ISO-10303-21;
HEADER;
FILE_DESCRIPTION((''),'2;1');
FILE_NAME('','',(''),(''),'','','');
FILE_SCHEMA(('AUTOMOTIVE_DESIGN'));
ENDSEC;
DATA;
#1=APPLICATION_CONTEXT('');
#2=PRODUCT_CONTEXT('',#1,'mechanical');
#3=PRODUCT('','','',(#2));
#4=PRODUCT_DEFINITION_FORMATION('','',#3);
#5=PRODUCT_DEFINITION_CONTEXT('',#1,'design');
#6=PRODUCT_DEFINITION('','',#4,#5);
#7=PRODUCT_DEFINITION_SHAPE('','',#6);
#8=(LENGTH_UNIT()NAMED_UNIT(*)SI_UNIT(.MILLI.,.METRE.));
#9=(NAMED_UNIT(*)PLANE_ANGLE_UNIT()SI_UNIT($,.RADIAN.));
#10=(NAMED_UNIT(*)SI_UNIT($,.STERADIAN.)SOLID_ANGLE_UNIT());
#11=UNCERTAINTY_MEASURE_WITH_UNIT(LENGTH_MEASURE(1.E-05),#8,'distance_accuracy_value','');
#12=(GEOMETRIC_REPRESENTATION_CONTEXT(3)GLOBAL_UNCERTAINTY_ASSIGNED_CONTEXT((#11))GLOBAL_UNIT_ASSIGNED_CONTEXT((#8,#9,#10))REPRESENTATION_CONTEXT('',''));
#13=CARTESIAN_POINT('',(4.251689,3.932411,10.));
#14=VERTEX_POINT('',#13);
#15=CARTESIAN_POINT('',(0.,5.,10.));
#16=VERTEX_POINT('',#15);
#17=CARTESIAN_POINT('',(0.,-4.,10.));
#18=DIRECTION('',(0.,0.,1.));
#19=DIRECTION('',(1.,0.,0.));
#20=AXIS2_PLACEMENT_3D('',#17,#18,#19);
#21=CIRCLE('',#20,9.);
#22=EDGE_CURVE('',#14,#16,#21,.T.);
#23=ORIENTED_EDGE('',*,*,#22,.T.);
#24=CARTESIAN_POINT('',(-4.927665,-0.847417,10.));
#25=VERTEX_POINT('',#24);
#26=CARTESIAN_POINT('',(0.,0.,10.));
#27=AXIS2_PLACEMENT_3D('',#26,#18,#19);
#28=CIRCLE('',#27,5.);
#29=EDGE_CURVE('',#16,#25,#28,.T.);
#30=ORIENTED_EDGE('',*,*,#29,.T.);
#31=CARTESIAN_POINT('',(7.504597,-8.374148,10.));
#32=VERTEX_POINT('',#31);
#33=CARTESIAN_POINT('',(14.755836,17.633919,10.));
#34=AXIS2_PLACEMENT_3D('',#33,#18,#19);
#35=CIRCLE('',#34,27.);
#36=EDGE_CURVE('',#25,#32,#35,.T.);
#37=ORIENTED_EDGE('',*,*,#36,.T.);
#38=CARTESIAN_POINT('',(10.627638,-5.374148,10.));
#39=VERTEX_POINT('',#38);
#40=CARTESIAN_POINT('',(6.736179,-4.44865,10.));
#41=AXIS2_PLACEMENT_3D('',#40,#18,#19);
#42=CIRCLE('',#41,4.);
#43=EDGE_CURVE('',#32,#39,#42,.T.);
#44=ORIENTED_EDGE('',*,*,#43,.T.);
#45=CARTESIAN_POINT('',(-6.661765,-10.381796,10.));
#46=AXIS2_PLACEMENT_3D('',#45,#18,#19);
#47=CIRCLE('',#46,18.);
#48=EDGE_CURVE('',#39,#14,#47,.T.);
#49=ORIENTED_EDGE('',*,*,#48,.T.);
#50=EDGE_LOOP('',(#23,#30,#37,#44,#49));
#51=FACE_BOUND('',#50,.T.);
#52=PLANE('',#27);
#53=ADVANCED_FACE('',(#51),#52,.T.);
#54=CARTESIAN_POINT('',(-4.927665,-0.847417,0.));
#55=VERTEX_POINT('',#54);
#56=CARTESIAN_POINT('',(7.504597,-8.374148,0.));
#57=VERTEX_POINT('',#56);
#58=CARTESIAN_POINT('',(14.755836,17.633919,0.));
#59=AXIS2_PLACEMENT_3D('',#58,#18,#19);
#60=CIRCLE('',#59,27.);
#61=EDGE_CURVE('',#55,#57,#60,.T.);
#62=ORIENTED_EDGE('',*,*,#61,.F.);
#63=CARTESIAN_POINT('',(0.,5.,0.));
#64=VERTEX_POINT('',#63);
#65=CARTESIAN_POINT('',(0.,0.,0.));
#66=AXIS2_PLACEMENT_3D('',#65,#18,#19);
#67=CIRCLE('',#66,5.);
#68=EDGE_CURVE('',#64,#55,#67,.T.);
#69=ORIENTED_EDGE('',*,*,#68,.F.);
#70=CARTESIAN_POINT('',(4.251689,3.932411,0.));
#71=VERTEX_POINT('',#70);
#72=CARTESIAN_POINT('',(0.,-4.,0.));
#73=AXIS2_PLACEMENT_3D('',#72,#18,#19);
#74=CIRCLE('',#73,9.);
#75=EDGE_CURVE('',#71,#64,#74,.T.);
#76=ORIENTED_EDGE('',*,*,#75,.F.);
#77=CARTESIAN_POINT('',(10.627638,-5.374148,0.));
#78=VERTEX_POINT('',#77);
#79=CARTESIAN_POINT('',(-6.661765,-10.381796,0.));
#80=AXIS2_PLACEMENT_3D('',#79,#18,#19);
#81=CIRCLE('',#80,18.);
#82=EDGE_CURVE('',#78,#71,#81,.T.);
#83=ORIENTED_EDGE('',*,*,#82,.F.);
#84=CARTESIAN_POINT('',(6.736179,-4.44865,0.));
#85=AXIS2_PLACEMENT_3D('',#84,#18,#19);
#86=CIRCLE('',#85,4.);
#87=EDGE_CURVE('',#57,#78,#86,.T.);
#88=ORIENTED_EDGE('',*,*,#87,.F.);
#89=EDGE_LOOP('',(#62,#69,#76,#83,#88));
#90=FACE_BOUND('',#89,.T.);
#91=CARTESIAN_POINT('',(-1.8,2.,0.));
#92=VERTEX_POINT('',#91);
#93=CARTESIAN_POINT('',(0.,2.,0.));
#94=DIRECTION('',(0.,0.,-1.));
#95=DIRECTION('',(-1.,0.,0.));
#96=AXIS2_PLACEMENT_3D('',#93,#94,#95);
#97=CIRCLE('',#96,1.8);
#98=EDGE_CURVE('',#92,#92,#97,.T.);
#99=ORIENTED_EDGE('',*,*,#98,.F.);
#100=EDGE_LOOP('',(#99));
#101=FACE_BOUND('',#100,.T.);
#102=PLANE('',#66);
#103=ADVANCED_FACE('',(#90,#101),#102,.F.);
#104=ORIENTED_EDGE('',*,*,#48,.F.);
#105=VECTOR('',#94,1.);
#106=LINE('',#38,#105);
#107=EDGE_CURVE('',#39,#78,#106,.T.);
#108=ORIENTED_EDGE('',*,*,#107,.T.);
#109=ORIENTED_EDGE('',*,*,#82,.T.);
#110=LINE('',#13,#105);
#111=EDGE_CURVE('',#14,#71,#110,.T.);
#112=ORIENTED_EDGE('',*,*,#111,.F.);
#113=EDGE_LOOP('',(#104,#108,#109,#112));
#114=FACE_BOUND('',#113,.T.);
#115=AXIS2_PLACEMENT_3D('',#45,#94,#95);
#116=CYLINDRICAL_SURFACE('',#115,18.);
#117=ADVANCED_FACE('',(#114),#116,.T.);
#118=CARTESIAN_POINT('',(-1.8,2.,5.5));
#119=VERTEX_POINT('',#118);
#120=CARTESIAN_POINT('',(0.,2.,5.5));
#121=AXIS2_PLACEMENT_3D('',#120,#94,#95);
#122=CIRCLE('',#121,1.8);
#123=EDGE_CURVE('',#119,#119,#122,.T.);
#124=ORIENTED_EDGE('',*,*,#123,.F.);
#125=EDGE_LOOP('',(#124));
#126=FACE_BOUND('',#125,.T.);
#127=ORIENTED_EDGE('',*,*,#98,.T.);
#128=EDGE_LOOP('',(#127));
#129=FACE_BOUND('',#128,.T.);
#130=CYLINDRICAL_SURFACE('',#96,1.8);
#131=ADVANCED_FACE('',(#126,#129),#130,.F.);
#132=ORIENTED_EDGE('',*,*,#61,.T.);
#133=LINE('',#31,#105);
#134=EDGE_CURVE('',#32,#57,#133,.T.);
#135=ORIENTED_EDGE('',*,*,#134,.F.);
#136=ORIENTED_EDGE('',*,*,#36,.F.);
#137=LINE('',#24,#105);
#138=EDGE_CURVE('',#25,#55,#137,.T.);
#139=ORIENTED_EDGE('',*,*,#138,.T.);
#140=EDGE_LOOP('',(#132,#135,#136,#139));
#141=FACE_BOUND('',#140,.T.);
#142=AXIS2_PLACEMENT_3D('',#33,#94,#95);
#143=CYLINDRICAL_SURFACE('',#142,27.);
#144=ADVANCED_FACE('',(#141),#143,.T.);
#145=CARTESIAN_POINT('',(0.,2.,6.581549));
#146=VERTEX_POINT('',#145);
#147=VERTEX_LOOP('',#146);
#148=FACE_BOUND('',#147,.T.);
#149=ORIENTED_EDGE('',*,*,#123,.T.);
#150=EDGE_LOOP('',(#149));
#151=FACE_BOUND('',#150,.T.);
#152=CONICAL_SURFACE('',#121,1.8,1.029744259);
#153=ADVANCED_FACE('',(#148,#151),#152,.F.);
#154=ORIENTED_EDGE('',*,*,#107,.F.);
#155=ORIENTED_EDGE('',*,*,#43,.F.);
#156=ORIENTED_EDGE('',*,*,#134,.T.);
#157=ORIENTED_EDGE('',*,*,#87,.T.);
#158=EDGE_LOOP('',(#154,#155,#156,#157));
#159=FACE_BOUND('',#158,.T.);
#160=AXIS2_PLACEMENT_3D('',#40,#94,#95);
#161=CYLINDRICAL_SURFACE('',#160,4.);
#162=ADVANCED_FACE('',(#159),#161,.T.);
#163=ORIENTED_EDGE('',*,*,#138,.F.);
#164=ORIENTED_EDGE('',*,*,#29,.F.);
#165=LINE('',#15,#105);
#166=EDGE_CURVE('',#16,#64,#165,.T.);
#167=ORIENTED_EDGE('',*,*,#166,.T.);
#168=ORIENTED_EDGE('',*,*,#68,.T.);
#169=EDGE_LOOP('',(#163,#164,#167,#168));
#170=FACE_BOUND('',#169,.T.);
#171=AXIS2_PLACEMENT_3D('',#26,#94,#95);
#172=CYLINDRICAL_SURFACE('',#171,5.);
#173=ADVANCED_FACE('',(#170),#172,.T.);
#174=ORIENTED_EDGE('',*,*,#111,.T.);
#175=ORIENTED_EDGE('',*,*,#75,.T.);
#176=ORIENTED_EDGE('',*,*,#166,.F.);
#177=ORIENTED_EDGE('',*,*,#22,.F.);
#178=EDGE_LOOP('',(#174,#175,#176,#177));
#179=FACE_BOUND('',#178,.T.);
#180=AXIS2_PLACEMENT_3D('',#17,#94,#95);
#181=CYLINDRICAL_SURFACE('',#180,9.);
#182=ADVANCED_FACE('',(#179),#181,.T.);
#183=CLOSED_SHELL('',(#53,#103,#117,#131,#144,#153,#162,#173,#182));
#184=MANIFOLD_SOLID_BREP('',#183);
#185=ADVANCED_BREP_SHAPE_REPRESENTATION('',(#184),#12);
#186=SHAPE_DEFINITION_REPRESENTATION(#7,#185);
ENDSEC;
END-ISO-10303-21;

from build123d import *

# Parameters (mm, degrees)
BOSS_EXTRUDE3_DEPTH      = 10
M3_CLEARANCE_HOLE1_D     = 3.6
M3_CLEARANCE_HOLE1_DEPTH = 5.5
M3_CLEARANCE_HOLE1_TIP   = 1.081549114


with BuildPart() as part:
    # Sketch3 → Boss-Extrude3 (new body)
    with BuildSketch(Plane.XY):
        with BuildLine():
            ThreePointArc((10.627637959, -5.374147741), (8.187588203, -0.208463055), (4.251688797, 3.93241088))
            ThreePointArc((4.251688797, 3.93241088), (2.191837366, 4.729023368), (0, 5))
            ThreePointArc((0, 5), (-3.823420235, 3.222026956), (-4.927665225, -0.847416917))
            ThreePointArc((-4.927665225, -0.847416917), (0.77252532, -5.462986054), (7.504596942, -8.374147741))
            ThreePointArc((7.504596942, -8.374147741), (9.507210052, -7.33333117), (10.627637959, -5.374147741))
        make_face()
    extrude(amount=BOSS_EXTRUDE3_DEPTH)

    # M3 Clearance Hole1
    with Locations(Plane(origin=(0, 0, 0), x_dir=(-1, 0, 0), z_dir=(0, 0, -1))):
        with Locations((0, 2)):
            Hole(M3_CLEARANCE_HOLE1_D / 2, depth=M3_CLEARANCE_HOLE1_DEPTH)
            with Locations((0, 0, -(M3_CLEARANCE_HOLE1_DEPTH + M3_CLEARANCE_HOLE1_TIP / 2))):  # 118° drill point
                Cone(0, M3_CLEARANCE_HOLE1_D / 2, M3_CLEARANCE_HOLE1_TIP, mode=Mode.SUBTRACT)


solid = part.part
